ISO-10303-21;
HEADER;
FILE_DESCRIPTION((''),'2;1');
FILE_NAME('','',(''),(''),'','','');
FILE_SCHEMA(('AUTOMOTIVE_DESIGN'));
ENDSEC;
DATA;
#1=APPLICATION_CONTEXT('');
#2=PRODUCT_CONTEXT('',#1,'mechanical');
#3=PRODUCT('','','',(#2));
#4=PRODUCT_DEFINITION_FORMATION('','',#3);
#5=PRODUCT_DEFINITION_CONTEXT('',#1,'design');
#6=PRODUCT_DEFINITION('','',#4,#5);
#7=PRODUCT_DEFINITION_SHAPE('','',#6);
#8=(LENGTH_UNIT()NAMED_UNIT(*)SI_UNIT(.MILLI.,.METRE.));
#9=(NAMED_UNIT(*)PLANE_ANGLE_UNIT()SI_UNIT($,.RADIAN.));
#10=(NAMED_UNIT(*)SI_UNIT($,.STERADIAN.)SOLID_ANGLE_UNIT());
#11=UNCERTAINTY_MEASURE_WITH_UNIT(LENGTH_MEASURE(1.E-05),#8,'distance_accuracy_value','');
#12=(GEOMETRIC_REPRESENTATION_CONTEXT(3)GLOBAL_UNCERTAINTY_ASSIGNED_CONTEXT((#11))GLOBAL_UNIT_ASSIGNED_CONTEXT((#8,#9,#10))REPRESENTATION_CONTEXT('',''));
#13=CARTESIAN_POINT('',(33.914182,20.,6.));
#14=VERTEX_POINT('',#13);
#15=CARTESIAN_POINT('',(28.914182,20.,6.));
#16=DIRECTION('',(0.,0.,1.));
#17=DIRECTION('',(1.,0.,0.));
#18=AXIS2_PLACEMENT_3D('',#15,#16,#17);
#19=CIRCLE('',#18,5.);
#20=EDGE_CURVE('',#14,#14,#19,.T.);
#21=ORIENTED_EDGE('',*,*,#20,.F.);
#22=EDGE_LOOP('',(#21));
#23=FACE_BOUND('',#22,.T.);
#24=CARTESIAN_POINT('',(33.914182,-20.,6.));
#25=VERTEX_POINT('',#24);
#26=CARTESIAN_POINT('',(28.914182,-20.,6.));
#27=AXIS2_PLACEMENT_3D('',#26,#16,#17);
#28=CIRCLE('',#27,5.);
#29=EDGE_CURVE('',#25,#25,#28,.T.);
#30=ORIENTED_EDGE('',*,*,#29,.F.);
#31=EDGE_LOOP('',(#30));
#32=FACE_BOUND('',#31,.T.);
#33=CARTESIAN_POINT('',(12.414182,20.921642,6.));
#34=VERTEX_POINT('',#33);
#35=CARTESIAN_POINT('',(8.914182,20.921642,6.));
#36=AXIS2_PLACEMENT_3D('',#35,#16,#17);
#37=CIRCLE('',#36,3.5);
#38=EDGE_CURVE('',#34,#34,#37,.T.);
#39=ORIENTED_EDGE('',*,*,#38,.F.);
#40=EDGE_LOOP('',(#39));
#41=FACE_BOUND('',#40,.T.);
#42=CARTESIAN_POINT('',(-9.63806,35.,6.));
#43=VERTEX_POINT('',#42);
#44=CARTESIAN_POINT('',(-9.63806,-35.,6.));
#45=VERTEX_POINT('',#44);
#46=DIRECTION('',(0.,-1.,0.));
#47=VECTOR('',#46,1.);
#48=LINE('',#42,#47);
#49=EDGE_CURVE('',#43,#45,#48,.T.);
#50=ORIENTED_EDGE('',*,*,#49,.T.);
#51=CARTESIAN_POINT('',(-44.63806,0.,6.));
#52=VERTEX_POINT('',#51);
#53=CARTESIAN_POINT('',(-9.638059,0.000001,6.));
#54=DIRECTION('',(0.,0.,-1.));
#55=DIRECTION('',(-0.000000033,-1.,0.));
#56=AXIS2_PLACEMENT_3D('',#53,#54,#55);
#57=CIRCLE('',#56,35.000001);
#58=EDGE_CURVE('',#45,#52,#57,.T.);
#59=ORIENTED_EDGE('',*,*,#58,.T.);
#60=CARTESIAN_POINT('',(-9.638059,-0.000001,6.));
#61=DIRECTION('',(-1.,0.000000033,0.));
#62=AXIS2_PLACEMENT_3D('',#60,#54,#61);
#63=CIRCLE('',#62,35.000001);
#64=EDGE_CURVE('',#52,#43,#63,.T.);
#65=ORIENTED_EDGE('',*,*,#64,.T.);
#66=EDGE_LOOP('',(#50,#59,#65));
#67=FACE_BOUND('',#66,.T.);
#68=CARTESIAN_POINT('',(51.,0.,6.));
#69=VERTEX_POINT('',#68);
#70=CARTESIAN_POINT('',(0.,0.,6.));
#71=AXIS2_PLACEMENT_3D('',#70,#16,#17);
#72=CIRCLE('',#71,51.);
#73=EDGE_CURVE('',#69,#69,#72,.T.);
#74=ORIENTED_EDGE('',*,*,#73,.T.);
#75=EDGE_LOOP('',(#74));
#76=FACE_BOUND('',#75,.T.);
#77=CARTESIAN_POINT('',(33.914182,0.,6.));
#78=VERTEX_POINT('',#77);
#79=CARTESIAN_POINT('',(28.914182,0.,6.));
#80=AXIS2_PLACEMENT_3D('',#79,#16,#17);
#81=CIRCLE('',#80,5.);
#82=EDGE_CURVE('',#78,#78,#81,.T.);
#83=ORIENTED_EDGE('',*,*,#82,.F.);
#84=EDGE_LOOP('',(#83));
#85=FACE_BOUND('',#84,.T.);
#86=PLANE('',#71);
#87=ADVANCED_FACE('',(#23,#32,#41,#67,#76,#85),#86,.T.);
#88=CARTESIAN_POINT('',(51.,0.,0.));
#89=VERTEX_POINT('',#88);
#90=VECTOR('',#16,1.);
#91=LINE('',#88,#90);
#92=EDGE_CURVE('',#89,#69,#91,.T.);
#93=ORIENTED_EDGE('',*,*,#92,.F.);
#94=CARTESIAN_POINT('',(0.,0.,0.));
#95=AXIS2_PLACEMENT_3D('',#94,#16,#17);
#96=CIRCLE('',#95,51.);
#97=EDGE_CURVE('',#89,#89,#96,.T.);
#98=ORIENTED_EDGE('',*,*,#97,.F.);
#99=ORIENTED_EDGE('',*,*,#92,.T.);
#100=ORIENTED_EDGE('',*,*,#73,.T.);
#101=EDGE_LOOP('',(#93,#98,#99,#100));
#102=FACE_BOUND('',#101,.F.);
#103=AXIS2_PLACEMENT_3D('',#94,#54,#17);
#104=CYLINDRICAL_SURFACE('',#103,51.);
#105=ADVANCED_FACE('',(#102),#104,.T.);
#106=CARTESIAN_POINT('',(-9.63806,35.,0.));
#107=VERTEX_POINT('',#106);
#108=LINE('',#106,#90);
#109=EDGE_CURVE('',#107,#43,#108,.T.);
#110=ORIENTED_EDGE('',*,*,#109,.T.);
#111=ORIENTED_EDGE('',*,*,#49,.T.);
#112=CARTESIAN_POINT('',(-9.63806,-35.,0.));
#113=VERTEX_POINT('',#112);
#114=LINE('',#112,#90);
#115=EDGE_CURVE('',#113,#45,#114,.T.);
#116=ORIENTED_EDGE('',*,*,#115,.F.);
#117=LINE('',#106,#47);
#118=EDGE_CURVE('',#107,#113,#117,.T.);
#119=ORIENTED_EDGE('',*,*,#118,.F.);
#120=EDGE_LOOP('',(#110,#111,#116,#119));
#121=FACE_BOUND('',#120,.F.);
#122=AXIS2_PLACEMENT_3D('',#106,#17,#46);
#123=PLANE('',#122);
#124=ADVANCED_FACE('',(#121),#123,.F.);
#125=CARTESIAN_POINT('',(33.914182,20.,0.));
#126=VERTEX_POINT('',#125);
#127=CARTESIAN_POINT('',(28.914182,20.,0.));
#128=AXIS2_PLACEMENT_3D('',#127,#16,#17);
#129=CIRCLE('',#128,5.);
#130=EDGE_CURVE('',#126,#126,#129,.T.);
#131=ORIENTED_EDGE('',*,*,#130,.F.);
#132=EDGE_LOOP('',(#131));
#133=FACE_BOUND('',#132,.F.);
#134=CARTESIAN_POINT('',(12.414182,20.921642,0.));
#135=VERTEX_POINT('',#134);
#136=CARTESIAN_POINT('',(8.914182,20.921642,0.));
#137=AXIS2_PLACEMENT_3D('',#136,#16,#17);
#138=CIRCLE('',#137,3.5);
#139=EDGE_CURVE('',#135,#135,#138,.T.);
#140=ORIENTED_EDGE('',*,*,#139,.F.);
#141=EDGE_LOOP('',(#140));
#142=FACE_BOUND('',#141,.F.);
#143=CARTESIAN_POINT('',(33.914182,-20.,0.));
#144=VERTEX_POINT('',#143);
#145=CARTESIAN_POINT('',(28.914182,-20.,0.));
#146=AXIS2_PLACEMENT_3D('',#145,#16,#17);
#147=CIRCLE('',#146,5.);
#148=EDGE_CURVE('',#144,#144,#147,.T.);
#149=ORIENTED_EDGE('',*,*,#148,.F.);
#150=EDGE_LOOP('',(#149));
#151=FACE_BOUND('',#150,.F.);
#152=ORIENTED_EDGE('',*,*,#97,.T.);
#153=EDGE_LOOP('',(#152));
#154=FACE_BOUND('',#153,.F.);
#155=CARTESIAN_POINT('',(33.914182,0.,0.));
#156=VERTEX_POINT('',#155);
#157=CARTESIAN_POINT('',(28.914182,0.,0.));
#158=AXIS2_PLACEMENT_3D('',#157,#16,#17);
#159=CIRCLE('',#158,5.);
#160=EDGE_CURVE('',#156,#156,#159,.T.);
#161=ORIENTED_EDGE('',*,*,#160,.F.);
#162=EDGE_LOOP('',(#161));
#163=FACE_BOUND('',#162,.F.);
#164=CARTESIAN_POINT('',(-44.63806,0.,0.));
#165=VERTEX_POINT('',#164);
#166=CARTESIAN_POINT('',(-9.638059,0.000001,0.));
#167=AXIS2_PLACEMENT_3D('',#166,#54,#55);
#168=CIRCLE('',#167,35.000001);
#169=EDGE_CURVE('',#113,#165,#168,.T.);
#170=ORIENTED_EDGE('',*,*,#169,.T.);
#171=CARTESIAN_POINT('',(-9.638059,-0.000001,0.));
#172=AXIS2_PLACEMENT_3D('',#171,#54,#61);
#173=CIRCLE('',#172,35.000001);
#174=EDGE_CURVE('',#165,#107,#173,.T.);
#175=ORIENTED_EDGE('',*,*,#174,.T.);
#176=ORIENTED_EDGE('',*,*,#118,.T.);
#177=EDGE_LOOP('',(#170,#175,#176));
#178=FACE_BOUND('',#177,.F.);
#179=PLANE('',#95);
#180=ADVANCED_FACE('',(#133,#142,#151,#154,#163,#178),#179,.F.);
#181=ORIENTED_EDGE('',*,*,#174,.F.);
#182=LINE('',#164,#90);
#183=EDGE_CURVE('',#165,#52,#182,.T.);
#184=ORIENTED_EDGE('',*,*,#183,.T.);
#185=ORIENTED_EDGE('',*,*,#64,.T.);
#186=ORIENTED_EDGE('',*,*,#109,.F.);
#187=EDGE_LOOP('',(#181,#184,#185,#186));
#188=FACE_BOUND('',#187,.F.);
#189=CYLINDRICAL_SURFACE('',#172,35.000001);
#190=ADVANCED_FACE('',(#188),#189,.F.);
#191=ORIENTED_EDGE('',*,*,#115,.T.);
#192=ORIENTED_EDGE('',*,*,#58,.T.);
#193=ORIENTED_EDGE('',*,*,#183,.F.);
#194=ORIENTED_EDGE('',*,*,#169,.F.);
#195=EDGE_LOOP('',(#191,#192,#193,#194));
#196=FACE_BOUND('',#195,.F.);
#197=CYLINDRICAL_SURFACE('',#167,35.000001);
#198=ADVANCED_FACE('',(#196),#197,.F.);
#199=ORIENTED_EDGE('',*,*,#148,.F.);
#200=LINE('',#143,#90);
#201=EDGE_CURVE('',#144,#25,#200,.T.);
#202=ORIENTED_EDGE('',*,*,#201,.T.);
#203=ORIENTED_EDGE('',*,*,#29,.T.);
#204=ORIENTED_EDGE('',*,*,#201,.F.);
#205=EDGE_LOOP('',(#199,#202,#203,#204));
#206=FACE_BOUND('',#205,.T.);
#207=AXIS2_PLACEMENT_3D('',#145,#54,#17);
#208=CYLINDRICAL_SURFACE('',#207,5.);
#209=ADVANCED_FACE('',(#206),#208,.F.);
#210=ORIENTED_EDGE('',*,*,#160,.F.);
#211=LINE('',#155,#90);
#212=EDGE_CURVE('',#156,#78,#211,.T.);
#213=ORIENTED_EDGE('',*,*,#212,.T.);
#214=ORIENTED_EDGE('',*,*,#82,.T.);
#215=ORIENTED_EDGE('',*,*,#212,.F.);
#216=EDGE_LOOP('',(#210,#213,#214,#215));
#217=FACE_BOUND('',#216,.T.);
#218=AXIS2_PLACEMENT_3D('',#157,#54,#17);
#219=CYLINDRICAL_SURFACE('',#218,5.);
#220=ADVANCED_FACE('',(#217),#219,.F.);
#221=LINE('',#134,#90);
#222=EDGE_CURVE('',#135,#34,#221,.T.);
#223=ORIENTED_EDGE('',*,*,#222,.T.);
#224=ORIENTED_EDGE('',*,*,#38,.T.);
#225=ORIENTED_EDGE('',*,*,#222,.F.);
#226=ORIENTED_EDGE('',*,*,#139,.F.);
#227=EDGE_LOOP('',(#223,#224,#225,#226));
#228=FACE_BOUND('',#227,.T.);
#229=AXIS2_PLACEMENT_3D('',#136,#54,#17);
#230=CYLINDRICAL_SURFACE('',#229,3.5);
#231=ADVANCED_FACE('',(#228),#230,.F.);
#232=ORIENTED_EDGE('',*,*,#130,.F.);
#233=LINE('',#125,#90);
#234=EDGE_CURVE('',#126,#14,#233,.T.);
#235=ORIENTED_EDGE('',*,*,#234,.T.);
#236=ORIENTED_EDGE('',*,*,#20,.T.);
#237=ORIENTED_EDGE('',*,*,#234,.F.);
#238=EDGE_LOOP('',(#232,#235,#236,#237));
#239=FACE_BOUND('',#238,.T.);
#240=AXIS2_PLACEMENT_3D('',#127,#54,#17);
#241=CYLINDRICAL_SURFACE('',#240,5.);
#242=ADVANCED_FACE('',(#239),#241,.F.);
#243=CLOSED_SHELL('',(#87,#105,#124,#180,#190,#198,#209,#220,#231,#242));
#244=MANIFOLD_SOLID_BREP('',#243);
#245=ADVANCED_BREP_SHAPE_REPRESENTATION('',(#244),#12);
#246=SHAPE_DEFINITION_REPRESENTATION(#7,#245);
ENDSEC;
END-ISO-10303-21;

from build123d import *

# Parameters (mm, degrees)
F0_R     = 51
F0_R_2   = 5
F0_R_3   = 3.5
F1_DEPTH = 6


with BuildPart() as f1:
    # F0 (on Top) → F1 (new body)
    with BuildSketch(Plane.XY):
        Circle(F0_R)
        with Locations((28.914182, -20)):
            Circle(F0_R_2, mode=Mode.SUBTRACT)
        with BuildLine():
            ThreePointArc((-44.63806, 0), (-34.386797, 24.748737), (-9.63806, 35))
            Line((-9.63806, 35), (-9.63806, -35))
            ThreePointArc((-9.63806, -35), (-34.386797, -24.748737), (-44.63806, 0))
        make_face(mode=Mode.SUBTRACT)
        with Locations((8.914182, 20.921642)):
            Circle(F0_R_3, mode=Mode.SUBTRACT)
        with Locations((28.914182, 0)):
            Circle(F0_R_2, mode=Mode.SUBTRACT)
        with Locations((28.914182, 20)):
            Circle(F0_R_2, mode=Mode.SUBTRACT)
    extrude(amount=F1_DEPTH)


solid = f1.part
